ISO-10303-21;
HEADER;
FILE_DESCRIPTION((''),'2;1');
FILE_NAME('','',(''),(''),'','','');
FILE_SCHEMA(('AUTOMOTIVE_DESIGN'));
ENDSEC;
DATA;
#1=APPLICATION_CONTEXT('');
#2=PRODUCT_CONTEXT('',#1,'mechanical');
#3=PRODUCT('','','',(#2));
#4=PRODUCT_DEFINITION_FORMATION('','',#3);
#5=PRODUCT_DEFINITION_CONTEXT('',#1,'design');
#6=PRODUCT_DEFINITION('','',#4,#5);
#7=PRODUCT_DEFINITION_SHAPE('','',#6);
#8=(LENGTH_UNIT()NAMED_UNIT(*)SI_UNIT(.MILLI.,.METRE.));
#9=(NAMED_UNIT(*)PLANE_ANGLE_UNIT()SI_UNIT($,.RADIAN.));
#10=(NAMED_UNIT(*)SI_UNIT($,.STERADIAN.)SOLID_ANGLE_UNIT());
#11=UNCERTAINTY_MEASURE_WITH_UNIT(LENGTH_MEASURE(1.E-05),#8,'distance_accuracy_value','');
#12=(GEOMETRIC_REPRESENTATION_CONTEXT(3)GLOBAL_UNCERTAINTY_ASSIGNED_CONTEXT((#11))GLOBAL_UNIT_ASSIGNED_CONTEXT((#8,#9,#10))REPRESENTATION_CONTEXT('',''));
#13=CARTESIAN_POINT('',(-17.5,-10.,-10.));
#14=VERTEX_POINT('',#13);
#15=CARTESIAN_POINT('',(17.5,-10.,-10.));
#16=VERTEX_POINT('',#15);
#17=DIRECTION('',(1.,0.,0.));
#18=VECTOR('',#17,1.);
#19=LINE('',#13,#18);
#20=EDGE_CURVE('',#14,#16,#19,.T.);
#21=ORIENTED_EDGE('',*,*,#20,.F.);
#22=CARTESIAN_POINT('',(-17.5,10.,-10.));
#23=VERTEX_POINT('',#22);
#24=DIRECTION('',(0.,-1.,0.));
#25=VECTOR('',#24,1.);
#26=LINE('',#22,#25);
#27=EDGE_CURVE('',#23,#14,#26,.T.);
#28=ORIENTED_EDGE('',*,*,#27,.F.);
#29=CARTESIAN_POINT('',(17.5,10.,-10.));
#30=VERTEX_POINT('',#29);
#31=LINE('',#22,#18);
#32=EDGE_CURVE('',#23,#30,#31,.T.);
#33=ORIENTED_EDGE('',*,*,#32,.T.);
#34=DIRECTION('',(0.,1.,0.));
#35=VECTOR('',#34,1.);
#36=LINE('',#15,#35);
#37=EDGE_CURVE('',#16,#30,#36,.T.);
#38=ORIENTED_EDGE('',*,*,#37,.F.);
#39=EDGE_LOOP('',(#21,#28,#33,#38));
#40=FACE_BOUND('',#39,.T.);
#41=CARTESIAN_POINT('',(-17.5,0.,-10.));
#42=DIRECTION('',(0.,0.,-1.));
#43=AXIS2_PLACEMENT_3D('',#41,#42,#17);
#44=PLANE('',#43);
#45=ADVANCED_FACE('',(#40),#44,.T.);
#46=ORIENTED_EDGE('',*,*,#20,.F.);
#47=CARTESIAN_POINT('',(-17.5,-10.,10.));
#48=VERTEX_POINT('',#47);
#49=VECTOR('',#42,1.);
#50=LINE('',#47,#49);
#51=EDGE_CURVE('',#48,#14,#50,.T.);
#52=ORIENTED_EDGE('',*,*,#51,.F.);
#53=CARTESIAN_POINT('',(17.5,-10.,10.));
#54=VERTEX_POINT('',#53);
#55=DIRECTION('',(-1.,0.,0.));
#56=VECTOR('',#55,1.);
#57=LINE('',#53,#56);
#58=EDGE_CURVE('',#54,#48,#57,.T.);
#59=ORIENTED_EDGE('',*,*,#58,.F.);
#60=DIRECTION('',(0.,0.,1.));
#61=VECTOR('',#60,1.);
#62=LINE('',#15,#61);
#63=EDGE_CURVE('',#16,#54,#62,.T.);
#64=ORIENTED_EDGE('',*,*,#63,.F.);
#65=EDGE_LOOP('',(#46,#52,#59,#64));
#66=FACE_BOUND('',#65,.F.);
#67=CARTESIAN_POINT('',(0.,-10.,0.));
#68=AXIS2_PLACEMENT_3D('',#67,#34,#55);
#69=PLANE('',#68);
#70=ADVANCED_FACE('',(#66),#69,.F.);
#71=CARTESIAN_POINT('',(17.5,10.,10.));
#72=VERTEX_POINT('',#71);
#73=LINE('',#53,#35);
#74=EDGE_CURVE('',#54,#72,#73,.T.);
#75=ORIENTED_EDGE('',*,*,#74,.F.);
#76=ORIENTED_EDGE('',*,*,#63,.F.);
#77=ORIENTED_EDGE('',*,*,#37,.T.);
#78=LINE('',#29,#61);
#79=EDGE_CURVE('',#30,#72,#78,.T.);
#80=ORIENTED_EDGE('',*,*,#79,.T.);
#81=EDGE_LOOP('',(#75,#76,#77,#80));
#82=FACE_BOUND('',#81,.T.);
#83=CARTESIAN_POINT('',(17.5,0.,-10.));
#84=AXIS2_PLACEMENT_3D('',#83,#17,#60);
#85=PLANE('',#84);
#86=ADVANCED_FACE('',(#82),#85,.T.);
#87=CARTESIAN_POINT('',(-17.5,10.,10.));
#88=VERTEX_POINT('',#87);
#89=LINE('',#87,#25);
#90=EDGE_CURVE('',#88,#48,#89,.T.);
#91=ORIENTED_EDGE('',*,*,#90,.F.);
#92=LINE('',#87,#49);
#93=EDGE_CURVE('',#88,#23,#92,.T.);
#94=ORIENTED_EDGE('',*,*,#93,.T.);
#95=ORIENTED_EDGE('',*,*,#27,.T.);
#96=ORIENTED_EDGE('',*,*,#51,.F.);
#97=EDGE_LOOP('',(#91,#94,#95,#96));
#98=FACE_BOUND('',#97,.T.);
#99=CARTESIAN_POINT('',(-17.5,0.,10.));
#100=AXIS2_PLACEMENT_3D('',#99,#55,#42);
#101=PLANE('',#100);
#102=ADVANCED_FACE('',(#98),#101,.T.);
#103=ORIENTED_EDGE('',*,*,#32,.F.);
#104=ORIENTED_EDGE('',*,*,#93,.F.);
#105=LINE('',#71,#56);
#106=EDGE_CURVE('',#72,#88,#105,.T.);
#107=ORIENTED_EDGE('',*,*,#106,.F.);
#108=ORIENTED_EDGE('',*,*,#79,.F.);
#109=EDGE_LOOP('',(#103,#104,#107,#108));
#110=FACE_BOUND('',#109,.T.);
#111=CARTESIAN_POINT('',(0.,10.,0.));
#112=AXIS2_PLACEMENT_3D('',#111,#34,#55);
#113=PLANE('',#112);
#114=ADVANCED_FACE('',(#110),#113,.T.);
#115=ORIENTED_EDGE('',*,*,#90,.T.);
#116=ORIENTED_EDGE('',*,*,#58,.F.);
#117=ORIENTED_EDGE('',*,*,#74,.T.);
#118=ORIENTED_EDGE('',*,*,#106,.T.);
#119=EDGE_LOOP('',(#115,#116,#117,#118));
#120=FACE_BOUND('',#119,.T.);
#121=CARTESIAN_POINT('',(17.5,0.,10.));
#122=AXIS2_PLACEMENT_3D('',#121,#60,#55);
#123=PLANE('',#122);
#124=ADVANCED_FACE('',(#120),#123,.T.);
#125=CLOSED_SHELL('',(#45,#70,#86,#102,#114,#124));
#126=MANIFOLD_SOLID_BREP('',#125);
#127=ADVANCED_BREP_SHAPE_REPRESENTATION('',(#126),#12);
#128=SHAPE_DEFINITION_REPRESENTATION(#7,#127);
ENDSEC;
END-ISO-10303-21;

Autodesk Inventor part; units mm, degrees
ref_plane "YZ Plane" through (0, 0, 0) normal (1, 0, 0) x (0, 1, 0)
ref_plane "XZ Plane" through (0, 0, 0) normal (0, 1, 0) x (-1, 0, 0)
ref_plane "XY Plane" through (0, 0, 0) normal (0, 0, 1) x (1, 0, 0)
sketch "Sketch1" plane through (0, 0, 0) normal (0, 1, 0) x (-1, 0, 0)
  line L0 (-17.5, 10) -> (17.5, 10)
  line L1 (17.5, 10) -> (17.5, -10)
  line L2 (17.5, -10) -> (-17.5, -10)
  line L3 (-17.5, -10) -> (-17.5, 10)
  line L4 (-17.5, 10) -> (17.5, -10) construction
  line L5 (17.5, 10) -> (-17.5, -10) construction
  point P0 (0, 0)
  dimension "d0" = 35
  dimension "d1" = 20
extrude "Extrusion1" add sketch "Sketch1" along normal mid plane 20
equation "\"d0\" = stock_xw"
equation "\"d1\" = stock_yw"
equation "\"d2\" = stock_zw"
equation "\"stock_xw\" = 35"
equation "\"stock_yw\" = 20"
equation "\"stock_zw\" = 20"
properties part number "SquareStock"
